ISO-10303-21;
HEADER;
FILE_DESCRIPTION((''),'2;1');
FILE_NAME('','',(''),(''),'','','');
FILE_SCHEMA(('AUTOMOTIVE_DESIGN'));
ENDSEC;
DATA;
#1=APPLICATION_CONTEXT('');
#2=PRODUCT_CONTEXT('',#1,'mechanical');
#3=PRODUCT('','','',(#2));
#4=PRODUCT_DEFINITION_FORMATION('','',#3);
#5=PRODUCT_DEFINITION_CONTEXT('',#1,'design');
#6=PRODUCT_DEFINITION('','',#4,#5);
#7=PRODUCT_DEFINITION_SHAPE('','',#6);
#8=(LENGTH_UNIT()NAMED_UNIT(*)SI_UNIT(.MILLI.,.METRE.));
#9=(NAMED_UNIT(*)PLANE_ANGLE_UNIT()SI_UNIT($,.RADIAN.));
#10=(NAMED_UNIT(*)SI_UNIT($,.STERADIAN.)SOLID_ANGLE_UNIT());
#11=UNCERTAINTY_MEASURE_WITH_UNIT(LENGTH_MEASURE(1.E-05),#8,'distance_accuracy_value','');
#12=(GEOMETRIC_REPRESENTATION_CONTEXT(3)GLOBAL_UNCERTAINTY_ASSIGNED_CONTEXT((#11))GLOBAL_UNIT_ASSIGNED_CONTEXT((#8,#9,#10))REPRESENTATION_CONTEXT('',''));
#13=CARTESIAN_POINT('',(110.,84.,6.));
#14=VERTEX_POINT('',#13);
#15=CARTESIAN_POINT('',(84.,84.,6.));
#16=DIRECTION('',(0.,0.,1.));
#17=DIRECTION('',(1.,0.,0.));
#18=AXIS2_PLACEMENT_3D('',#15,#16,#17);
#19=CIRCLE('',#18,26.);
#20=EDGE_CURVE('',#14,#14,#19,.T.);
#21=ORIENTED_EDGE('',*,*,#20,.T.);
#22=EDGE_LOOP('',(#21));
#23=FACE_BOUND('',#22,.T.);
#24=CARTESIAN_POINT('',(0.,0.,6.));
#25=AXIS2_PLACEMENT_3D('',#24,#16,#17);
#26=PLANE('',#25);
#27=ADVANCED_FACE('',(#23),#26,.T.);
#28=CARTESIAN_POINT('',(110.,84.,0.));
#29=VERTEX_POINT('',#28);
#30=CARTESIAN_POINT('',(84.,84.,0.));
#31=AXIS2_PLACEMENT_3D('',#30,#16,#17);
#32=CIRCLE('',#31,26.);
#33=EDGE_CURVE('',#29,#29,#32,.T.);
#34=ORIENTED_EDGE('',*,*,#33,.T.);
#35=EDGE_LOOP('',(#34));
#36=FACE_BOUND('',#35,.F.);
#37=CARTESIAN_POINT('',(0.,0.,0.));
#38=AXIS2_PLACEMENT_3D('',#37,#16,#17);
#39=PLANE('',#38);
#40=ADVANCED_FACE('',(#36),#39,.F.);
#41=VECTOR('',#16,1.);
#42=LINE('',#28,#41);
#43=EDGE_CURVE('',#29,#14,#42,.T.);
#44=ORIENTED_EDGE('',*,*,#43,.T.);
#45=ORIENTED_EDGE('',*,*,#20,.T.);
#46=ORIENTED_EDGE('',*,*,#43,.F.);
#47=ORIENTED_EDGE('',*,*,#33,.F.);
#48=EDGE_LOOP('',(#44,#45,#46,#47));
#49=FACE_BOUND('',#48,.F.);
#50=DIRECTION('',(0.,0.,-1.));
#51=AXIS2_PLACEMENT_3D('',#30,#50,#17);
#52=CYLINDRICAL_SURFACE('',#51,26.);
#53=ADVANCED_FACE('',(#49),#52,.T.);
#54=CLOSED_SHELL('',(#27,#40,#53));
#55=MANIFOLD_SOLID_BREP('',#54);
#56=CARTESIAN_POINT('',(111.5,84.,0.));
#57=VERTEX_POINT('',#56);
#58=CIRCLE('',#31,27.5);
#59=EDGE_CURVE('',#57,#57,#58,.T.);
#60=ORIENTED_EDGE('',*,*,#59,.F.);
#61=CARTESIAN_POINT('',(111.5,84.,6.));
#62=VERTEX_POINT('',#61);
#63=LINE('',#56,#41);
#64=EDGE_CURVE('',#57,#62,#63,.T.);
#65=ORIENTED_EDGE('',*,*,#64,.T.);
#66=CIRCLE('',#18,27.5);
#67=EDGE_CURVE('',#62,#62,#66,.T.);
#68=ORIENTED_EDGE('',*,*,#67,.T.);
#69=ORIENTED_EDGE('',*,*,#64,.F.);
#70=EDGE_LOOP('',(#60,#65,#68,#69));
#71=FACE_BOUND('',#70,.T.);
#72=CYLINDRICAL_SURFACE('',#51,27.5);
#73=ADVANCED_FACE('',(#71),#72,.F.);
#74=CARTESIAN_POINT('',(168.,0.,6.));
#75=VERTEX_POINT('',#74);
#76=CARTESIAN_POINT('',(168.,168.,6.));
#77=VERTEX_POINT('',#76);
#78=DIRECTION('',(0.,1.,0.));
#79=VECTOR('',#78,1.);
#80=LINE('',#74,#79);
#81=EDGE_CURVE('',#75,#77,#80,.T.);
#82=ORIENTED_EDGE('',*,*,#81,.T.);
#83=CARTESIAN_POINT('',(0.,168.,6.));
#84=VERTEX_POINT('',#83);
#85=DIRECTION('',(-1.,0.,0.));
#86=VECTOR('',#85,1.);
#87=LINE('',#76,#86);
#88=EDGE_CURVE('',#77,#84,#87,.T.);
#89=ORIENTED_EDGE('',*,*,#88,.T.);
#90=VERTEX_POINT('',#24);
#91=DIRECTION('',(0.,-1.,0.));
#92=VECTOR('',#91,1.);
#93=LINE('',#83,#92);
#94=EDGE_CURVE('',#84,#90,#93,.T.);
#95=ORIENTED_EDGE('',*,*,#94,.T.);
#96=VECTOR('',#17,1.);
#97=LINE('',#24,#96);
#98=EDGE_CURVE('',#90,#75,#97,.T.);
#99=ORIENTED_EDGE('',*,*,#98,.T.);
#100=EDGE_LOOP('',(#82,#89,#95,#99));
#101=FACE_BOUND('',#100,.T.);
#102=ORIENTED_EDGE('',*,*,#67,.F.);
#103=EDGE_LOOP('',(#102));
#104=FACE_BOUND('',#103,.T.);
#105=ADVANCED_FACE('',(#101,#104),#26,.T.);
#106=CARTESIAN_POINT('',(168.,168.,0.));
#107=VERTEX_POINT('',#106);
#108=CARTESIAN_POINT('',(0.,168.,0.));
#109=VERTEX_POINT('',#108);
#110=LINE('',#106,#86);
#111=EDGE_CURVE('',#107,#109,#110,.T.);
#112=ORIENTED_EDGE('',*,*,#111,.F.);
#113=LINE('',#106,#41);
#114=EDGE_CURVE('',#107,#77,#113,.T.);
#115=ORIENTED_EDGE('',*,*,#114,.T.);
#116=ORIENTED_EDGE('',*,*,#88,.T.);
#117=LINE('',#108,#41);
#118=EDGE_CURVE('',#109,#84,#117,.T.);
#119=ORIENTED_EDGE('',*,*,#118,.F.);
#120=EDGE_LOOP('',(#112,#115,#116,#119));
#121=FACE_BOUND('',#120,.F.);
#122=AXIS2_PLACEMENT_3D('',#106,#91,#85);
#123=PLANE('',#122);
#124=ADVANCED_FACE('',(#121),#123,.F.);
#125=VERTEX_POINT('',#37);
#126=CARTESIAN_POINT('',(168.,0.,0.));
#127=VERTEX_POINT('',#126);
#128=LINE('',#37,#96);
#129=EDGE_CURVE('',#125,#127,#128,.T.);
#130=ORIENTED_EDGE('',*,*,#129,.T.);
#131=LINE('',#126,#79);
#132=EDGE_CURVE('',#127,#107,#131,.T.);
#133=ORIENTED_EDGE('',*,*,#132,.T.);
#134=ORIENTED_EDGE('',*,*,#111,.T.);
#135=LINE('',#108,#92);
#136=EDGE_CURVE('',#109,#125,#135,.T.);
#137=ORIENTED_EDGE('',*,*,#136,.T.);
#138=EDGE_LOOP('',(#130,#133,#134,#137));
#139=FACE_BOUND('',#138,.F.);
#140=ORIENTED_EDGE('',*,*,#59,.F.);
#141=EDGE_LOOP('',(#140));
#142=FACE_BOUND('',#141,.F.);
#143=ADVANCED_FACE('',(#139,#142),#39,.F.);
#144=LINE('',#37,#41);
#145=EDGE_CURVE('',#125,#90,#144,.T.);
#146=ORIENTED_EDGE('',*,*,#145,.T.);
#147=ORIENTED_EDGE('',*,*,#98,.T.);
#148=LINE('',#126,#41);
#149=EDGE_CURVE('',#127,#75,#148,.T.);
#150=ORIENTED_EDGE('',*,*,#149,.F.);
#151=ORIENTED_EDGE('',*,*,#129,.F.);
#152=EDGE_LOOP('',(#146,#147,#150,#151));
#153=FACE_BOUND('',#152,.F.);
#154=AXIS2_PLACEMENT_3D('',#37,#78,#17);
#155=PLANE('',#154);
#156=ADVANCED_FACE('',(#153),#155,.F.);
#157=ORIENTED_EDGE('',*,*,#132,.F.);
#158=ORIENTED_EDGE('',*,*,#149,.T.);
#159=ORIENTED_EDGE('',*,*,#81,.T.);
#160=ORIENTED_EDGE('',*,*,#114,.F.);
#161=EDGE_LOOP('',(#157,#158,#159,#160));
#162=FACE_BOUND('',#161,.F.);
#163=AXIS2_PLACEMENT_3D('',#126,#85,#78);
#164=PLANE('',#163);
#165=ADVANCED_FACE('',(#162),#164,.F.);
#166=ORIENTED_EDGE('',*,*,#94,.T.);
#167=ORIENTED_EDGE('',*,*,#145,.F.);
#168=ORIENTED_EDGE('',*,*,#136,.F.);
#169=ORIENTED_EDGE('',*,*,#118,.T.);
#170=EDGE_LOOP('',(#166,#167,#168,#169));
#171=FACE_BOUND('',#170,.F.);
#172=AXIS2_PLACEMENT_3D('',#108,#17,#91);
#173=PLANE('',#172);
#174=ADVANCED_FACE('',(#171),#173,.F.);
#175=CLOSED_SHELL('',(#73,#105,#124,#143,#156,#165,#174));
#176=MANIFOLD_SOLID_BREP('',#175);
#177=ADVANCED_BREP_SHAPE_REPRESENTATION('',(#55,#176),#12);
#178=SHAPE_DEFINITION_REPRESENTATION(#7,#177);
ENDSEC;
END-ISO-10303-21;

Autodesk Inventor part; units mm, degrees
ref_plane "YZ Plane" through (0, 0, 0) normal (1, 0, 0) x (0, 1, 0)
ref_plane "XZ Plane" through (0, 0, 0) normal (0, 1, 0) x (-1, 0, 0)
ref_plane "XY Plane" through (0, 0, 0) normal (0, 0, 1) x (1, 0, 0)
sketch "Szkic1" plane through (0, 0, 0) normal (0, 0, 1) x (1, 0, 0)
  line L0 (0, 0) -> (168, 0)
  line L1 (168, 0) -> (168, 168)
  line L2 (168, 168) -> (0, 168)
  line L3 (0, 168) -> (0, 0)
  circle A0 centre (84, 84) radius 27.5
  circle A1 centre (84, 84) radius 26
  dimension "d0" = 168
  dimension "d1" = 168
  dimension "d2" = 55
  dimension "d3" = 84
  dimension "d4" = 52
extrude "Wyciągnięcie proste1" add sketch "Szkic1" along normal blind 6
properties part number "Sciana_pokrywka_168x168"
